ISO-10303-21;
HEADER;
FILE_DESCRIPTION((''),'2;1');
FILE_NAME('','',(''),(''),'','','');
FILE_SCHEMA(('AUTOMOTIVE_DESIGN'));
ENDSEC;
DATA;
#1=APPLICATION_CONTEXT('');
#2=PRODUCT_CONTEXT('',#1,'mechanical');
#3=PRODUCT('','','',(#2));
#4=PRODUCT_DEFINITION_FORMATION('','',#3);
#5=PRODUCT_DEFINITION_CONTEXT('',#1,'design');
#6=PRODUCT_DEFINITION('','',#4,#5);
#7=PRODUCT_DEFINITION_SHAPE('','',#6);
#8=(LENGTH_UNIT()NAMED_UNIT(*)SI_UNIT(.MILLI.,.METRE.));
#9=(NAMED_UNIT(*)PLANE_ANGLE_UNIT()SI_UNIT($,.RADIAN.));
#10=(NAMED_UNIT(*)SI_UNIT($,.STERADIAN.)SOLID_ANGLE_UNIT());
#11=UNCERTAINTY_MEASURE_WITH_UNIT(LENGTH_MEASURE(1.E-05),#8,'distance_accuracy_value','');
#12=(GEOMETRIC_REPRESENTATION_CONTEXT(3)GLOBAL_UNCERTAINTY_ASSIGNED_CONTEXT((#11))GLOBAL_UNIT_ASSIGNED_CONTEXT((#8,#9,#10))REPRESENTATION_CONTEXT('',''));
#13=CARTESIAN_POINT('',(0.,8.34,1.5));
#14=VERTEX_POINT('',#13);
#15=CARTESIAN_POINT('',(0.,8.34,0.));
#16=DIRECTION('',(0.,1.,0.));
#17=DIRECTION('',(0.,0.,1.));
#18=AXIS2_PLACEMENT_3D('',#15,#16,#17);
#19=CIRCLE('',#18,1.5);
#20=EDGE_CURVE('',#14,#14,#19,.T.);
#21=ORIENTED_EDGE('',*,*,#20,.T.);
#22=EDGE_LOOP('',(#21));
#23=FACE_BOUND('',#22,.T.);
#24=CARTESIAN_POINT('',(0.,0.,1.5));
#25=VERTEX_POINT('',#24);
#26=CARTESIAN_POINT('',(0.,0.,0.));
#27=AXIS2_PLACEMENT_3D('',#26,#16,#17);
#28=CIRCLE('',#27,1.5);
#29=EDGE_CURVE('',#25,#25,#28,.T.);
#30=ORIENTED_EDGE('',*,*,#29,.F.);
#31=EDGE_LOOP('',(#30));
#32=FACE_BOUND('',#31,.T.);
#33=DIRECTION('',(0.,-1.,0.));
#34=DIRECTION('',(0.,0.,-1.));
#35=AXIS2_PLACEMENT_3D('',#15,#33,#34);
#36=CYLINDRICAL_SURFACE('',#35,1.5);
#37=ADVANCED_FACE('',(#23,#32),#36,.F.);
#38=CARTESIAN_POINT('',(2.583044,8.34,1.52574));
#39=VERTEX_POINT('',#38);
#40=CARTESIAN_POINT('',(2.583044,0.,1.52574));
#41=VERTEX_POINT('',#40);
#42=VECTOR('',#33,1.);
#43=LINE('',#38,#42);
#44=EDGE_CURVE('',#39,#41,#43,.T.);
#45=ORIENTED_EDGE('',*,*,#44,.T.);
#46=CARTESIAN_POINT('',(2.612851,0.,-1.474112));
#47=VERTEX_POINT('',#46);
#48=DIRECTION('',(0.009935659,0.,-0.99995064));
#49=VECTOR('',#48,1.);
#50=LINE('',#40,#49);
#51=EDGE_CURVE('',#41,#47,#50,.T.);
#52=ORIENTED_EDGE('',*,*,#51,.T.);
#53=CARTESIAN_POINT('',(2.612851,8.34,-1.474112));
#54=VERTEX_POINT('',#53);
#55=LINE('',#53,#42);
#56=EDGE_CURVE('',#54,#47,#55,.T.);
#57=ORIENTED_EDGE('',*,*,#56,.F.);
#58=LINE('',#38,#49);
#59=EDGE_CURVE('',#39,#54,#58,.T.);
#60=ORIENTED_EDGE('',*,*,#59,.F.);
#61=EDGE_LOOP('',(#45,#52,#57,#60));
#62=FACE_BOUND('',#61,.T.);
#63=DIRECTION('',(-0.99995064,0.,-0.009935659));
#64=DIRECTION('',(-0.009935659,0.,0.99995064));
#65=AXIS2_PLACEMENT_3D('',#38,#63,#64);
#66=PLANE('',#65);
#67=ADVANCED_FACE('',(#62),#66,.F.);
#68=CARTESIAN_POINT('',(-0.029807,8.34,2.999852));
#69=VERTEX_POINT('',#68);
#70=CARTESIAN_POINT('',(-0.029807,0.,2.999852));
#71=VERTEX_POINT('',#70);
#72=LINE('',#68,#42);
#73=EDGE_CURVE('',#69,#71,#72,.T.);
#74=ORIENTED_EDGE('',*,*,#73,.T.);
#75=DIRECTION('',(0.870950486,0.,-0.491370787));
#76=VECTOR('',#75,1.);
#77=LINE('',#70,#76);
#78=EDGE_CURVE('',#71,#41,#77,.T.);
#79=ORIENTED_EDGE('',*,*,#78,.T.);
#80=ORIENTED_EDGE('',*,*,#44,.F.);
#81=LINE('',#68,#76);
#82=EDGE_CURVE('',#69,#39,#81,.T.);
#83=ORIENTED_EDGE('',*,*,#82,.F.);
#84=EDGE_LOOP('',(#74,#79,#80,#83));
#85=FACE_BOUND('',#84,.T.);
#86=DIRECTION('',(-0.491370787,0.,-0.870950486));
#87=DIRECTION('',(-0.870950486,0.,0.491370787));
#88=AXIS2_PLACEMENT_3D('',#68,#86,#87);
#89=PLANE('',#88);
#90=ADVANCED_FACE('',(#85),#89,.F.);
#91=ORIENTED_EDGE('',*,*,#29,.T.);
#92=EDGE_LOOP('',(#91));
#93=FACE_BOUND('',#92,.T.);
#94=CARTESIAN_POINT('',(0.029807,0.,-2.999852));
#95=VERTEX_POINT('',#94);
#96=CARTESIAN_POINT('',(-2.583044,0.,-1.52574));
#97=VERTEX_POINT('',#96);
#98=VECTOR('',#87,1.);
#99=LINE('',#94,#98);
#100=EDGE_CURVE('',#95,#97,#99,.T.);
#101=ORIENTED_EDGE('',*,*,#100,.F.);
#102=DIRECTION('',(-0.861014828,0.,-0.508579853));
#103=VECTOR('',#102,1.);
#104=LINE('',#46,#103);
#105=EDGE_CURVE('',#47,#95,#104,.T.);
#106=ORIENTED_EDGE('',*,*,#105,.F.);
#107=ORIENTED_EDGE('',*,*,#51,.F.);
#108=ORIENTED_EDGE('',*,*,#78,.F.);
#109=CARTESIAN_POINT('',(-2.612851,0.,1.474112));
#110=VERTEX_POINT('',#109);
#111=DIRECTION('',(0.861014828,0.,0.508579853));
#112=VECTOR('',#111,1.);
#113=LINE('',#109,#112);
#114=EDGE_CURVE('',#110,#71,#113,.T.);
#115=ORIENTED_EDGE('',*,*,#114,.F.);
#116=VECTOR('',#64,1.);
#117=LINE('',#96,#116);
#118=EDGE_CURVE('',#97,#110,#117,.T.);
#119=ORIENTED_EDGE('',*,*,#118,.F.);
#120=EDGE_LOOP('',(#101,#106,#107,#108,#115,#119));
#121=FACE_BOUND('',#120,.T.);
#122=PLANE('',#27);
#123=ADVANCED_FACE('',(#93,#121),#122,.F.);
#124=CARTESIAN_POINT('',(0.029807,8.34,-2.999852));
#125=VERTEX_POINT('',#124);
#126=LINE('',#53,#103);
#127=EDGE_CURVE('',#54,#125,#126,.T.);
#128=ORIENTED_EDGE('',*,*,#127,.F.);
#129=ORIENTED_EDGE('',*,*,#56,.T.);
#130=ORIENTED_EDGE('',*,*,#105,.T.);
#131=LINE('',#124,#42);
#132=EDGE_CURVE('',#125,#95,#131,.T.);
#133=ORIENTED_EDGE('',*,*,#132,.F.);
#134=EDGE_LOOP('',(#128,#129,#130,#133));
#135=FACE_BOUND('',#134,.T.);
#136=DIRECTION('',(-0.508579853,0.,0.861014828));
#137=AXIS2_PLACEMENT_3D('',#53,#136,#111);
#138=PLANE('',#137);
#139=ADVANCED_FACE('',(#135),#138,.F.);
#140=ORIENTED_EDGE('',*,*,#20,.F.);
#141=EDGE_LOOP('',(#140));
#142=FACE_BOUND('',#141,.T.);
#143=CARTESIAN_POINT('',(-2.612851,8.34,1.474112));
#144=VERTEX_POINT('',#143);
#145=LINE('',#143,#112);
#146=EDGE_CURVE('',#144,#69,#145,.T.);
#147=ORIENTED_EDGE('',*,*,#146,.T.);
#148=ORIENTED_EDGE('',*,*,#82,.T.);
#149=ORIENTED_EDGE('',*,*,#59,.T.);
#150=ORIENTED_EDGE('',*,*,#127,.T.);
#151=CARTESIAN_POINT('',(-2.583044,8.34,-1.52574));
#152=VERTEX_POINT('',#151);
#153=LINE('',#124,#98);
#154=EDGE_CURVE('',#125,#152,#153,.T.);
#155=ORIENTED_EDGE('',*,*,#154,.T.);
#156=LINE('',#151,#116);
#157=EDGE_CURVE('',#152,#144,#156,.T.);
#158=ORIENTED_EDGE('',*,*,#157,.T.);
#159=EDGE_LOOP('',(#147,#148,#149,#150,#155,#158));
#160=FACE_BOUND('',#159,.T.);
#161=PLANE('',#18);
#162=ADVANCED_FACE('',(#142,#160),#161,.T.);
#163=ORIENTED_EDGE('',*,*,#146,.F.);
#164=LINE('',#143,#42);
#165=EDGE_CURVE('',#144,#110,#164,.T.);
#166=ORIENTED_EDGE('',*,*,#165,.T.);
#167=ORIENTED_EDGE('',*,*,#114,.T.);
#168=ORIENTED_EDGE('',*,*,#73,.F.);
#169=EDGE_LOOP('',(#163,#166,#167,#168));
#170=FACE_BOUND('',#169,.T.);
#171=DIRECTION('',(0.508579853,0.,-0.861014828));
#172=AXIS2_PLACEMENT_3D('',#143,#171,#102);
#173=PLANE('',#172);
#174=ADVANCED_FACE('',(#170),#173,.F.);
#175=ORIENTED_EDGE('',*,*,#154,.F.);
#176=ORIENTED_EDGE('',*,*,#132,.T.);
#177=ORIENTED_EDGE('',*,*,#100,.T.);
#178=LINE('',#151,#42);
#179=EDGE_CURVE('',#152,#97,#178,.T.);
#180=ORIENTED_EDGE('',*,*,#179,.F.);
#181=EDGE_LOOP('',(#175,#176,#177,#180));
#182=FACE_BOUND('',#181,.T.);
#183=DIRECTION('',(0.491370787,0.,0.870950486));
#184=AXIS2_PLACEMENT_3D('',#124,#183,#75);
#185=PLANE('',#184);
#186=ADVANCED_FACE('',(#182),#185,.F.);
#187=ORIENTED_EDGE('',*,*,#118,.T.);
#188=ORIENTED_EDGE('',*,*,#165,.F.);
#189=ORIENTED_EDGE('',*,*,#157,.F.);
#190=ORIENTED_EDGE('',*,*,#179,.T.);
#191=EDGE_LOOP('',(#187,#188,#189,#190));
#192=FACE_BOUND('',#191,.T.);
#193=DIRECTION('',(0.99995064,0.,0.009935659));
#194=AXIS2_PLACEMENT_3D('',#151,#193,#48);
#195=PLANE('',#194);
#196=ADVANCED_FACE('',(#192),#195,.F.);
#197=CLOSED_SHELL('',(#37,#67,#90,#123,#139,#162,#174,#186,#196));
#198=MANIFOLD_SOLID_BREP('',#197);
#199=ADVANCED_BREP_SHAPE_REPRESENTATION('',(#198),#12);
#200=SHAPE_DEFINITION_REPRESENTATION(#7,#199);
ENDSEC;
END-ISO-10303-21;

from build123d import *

# Parameters (mm, degrees)
SKETCH_1_R      = 1.5
EXTRUDE_1_DEPTH = 8.34


with BuildPart() as part:
    # 草图1 → 凸台-拉伸1 (new body)
    with BuildSketch(Plane(origin=(0, 0, 0), x_dir=(1, 0, 0), z_dir=(0, 1, 0))):
        Polygon((-2.583044483, 1.525739558), (-2.612851459, -1.474112362), (-0.029806976, -2.99985192), (2.583044483, -1.525739558), (2.612851459, 1.474112362), (0.029806976, 2.99985192), align=None)
        with Locations(Location((0, 0, 0), (0, 0, 270))):
            Circle(SKETCH_1_R, mode=Mode.SUBTRACT)
    extrude(amount=EXTRUDE_1_DEPTH)


solid = part.part
